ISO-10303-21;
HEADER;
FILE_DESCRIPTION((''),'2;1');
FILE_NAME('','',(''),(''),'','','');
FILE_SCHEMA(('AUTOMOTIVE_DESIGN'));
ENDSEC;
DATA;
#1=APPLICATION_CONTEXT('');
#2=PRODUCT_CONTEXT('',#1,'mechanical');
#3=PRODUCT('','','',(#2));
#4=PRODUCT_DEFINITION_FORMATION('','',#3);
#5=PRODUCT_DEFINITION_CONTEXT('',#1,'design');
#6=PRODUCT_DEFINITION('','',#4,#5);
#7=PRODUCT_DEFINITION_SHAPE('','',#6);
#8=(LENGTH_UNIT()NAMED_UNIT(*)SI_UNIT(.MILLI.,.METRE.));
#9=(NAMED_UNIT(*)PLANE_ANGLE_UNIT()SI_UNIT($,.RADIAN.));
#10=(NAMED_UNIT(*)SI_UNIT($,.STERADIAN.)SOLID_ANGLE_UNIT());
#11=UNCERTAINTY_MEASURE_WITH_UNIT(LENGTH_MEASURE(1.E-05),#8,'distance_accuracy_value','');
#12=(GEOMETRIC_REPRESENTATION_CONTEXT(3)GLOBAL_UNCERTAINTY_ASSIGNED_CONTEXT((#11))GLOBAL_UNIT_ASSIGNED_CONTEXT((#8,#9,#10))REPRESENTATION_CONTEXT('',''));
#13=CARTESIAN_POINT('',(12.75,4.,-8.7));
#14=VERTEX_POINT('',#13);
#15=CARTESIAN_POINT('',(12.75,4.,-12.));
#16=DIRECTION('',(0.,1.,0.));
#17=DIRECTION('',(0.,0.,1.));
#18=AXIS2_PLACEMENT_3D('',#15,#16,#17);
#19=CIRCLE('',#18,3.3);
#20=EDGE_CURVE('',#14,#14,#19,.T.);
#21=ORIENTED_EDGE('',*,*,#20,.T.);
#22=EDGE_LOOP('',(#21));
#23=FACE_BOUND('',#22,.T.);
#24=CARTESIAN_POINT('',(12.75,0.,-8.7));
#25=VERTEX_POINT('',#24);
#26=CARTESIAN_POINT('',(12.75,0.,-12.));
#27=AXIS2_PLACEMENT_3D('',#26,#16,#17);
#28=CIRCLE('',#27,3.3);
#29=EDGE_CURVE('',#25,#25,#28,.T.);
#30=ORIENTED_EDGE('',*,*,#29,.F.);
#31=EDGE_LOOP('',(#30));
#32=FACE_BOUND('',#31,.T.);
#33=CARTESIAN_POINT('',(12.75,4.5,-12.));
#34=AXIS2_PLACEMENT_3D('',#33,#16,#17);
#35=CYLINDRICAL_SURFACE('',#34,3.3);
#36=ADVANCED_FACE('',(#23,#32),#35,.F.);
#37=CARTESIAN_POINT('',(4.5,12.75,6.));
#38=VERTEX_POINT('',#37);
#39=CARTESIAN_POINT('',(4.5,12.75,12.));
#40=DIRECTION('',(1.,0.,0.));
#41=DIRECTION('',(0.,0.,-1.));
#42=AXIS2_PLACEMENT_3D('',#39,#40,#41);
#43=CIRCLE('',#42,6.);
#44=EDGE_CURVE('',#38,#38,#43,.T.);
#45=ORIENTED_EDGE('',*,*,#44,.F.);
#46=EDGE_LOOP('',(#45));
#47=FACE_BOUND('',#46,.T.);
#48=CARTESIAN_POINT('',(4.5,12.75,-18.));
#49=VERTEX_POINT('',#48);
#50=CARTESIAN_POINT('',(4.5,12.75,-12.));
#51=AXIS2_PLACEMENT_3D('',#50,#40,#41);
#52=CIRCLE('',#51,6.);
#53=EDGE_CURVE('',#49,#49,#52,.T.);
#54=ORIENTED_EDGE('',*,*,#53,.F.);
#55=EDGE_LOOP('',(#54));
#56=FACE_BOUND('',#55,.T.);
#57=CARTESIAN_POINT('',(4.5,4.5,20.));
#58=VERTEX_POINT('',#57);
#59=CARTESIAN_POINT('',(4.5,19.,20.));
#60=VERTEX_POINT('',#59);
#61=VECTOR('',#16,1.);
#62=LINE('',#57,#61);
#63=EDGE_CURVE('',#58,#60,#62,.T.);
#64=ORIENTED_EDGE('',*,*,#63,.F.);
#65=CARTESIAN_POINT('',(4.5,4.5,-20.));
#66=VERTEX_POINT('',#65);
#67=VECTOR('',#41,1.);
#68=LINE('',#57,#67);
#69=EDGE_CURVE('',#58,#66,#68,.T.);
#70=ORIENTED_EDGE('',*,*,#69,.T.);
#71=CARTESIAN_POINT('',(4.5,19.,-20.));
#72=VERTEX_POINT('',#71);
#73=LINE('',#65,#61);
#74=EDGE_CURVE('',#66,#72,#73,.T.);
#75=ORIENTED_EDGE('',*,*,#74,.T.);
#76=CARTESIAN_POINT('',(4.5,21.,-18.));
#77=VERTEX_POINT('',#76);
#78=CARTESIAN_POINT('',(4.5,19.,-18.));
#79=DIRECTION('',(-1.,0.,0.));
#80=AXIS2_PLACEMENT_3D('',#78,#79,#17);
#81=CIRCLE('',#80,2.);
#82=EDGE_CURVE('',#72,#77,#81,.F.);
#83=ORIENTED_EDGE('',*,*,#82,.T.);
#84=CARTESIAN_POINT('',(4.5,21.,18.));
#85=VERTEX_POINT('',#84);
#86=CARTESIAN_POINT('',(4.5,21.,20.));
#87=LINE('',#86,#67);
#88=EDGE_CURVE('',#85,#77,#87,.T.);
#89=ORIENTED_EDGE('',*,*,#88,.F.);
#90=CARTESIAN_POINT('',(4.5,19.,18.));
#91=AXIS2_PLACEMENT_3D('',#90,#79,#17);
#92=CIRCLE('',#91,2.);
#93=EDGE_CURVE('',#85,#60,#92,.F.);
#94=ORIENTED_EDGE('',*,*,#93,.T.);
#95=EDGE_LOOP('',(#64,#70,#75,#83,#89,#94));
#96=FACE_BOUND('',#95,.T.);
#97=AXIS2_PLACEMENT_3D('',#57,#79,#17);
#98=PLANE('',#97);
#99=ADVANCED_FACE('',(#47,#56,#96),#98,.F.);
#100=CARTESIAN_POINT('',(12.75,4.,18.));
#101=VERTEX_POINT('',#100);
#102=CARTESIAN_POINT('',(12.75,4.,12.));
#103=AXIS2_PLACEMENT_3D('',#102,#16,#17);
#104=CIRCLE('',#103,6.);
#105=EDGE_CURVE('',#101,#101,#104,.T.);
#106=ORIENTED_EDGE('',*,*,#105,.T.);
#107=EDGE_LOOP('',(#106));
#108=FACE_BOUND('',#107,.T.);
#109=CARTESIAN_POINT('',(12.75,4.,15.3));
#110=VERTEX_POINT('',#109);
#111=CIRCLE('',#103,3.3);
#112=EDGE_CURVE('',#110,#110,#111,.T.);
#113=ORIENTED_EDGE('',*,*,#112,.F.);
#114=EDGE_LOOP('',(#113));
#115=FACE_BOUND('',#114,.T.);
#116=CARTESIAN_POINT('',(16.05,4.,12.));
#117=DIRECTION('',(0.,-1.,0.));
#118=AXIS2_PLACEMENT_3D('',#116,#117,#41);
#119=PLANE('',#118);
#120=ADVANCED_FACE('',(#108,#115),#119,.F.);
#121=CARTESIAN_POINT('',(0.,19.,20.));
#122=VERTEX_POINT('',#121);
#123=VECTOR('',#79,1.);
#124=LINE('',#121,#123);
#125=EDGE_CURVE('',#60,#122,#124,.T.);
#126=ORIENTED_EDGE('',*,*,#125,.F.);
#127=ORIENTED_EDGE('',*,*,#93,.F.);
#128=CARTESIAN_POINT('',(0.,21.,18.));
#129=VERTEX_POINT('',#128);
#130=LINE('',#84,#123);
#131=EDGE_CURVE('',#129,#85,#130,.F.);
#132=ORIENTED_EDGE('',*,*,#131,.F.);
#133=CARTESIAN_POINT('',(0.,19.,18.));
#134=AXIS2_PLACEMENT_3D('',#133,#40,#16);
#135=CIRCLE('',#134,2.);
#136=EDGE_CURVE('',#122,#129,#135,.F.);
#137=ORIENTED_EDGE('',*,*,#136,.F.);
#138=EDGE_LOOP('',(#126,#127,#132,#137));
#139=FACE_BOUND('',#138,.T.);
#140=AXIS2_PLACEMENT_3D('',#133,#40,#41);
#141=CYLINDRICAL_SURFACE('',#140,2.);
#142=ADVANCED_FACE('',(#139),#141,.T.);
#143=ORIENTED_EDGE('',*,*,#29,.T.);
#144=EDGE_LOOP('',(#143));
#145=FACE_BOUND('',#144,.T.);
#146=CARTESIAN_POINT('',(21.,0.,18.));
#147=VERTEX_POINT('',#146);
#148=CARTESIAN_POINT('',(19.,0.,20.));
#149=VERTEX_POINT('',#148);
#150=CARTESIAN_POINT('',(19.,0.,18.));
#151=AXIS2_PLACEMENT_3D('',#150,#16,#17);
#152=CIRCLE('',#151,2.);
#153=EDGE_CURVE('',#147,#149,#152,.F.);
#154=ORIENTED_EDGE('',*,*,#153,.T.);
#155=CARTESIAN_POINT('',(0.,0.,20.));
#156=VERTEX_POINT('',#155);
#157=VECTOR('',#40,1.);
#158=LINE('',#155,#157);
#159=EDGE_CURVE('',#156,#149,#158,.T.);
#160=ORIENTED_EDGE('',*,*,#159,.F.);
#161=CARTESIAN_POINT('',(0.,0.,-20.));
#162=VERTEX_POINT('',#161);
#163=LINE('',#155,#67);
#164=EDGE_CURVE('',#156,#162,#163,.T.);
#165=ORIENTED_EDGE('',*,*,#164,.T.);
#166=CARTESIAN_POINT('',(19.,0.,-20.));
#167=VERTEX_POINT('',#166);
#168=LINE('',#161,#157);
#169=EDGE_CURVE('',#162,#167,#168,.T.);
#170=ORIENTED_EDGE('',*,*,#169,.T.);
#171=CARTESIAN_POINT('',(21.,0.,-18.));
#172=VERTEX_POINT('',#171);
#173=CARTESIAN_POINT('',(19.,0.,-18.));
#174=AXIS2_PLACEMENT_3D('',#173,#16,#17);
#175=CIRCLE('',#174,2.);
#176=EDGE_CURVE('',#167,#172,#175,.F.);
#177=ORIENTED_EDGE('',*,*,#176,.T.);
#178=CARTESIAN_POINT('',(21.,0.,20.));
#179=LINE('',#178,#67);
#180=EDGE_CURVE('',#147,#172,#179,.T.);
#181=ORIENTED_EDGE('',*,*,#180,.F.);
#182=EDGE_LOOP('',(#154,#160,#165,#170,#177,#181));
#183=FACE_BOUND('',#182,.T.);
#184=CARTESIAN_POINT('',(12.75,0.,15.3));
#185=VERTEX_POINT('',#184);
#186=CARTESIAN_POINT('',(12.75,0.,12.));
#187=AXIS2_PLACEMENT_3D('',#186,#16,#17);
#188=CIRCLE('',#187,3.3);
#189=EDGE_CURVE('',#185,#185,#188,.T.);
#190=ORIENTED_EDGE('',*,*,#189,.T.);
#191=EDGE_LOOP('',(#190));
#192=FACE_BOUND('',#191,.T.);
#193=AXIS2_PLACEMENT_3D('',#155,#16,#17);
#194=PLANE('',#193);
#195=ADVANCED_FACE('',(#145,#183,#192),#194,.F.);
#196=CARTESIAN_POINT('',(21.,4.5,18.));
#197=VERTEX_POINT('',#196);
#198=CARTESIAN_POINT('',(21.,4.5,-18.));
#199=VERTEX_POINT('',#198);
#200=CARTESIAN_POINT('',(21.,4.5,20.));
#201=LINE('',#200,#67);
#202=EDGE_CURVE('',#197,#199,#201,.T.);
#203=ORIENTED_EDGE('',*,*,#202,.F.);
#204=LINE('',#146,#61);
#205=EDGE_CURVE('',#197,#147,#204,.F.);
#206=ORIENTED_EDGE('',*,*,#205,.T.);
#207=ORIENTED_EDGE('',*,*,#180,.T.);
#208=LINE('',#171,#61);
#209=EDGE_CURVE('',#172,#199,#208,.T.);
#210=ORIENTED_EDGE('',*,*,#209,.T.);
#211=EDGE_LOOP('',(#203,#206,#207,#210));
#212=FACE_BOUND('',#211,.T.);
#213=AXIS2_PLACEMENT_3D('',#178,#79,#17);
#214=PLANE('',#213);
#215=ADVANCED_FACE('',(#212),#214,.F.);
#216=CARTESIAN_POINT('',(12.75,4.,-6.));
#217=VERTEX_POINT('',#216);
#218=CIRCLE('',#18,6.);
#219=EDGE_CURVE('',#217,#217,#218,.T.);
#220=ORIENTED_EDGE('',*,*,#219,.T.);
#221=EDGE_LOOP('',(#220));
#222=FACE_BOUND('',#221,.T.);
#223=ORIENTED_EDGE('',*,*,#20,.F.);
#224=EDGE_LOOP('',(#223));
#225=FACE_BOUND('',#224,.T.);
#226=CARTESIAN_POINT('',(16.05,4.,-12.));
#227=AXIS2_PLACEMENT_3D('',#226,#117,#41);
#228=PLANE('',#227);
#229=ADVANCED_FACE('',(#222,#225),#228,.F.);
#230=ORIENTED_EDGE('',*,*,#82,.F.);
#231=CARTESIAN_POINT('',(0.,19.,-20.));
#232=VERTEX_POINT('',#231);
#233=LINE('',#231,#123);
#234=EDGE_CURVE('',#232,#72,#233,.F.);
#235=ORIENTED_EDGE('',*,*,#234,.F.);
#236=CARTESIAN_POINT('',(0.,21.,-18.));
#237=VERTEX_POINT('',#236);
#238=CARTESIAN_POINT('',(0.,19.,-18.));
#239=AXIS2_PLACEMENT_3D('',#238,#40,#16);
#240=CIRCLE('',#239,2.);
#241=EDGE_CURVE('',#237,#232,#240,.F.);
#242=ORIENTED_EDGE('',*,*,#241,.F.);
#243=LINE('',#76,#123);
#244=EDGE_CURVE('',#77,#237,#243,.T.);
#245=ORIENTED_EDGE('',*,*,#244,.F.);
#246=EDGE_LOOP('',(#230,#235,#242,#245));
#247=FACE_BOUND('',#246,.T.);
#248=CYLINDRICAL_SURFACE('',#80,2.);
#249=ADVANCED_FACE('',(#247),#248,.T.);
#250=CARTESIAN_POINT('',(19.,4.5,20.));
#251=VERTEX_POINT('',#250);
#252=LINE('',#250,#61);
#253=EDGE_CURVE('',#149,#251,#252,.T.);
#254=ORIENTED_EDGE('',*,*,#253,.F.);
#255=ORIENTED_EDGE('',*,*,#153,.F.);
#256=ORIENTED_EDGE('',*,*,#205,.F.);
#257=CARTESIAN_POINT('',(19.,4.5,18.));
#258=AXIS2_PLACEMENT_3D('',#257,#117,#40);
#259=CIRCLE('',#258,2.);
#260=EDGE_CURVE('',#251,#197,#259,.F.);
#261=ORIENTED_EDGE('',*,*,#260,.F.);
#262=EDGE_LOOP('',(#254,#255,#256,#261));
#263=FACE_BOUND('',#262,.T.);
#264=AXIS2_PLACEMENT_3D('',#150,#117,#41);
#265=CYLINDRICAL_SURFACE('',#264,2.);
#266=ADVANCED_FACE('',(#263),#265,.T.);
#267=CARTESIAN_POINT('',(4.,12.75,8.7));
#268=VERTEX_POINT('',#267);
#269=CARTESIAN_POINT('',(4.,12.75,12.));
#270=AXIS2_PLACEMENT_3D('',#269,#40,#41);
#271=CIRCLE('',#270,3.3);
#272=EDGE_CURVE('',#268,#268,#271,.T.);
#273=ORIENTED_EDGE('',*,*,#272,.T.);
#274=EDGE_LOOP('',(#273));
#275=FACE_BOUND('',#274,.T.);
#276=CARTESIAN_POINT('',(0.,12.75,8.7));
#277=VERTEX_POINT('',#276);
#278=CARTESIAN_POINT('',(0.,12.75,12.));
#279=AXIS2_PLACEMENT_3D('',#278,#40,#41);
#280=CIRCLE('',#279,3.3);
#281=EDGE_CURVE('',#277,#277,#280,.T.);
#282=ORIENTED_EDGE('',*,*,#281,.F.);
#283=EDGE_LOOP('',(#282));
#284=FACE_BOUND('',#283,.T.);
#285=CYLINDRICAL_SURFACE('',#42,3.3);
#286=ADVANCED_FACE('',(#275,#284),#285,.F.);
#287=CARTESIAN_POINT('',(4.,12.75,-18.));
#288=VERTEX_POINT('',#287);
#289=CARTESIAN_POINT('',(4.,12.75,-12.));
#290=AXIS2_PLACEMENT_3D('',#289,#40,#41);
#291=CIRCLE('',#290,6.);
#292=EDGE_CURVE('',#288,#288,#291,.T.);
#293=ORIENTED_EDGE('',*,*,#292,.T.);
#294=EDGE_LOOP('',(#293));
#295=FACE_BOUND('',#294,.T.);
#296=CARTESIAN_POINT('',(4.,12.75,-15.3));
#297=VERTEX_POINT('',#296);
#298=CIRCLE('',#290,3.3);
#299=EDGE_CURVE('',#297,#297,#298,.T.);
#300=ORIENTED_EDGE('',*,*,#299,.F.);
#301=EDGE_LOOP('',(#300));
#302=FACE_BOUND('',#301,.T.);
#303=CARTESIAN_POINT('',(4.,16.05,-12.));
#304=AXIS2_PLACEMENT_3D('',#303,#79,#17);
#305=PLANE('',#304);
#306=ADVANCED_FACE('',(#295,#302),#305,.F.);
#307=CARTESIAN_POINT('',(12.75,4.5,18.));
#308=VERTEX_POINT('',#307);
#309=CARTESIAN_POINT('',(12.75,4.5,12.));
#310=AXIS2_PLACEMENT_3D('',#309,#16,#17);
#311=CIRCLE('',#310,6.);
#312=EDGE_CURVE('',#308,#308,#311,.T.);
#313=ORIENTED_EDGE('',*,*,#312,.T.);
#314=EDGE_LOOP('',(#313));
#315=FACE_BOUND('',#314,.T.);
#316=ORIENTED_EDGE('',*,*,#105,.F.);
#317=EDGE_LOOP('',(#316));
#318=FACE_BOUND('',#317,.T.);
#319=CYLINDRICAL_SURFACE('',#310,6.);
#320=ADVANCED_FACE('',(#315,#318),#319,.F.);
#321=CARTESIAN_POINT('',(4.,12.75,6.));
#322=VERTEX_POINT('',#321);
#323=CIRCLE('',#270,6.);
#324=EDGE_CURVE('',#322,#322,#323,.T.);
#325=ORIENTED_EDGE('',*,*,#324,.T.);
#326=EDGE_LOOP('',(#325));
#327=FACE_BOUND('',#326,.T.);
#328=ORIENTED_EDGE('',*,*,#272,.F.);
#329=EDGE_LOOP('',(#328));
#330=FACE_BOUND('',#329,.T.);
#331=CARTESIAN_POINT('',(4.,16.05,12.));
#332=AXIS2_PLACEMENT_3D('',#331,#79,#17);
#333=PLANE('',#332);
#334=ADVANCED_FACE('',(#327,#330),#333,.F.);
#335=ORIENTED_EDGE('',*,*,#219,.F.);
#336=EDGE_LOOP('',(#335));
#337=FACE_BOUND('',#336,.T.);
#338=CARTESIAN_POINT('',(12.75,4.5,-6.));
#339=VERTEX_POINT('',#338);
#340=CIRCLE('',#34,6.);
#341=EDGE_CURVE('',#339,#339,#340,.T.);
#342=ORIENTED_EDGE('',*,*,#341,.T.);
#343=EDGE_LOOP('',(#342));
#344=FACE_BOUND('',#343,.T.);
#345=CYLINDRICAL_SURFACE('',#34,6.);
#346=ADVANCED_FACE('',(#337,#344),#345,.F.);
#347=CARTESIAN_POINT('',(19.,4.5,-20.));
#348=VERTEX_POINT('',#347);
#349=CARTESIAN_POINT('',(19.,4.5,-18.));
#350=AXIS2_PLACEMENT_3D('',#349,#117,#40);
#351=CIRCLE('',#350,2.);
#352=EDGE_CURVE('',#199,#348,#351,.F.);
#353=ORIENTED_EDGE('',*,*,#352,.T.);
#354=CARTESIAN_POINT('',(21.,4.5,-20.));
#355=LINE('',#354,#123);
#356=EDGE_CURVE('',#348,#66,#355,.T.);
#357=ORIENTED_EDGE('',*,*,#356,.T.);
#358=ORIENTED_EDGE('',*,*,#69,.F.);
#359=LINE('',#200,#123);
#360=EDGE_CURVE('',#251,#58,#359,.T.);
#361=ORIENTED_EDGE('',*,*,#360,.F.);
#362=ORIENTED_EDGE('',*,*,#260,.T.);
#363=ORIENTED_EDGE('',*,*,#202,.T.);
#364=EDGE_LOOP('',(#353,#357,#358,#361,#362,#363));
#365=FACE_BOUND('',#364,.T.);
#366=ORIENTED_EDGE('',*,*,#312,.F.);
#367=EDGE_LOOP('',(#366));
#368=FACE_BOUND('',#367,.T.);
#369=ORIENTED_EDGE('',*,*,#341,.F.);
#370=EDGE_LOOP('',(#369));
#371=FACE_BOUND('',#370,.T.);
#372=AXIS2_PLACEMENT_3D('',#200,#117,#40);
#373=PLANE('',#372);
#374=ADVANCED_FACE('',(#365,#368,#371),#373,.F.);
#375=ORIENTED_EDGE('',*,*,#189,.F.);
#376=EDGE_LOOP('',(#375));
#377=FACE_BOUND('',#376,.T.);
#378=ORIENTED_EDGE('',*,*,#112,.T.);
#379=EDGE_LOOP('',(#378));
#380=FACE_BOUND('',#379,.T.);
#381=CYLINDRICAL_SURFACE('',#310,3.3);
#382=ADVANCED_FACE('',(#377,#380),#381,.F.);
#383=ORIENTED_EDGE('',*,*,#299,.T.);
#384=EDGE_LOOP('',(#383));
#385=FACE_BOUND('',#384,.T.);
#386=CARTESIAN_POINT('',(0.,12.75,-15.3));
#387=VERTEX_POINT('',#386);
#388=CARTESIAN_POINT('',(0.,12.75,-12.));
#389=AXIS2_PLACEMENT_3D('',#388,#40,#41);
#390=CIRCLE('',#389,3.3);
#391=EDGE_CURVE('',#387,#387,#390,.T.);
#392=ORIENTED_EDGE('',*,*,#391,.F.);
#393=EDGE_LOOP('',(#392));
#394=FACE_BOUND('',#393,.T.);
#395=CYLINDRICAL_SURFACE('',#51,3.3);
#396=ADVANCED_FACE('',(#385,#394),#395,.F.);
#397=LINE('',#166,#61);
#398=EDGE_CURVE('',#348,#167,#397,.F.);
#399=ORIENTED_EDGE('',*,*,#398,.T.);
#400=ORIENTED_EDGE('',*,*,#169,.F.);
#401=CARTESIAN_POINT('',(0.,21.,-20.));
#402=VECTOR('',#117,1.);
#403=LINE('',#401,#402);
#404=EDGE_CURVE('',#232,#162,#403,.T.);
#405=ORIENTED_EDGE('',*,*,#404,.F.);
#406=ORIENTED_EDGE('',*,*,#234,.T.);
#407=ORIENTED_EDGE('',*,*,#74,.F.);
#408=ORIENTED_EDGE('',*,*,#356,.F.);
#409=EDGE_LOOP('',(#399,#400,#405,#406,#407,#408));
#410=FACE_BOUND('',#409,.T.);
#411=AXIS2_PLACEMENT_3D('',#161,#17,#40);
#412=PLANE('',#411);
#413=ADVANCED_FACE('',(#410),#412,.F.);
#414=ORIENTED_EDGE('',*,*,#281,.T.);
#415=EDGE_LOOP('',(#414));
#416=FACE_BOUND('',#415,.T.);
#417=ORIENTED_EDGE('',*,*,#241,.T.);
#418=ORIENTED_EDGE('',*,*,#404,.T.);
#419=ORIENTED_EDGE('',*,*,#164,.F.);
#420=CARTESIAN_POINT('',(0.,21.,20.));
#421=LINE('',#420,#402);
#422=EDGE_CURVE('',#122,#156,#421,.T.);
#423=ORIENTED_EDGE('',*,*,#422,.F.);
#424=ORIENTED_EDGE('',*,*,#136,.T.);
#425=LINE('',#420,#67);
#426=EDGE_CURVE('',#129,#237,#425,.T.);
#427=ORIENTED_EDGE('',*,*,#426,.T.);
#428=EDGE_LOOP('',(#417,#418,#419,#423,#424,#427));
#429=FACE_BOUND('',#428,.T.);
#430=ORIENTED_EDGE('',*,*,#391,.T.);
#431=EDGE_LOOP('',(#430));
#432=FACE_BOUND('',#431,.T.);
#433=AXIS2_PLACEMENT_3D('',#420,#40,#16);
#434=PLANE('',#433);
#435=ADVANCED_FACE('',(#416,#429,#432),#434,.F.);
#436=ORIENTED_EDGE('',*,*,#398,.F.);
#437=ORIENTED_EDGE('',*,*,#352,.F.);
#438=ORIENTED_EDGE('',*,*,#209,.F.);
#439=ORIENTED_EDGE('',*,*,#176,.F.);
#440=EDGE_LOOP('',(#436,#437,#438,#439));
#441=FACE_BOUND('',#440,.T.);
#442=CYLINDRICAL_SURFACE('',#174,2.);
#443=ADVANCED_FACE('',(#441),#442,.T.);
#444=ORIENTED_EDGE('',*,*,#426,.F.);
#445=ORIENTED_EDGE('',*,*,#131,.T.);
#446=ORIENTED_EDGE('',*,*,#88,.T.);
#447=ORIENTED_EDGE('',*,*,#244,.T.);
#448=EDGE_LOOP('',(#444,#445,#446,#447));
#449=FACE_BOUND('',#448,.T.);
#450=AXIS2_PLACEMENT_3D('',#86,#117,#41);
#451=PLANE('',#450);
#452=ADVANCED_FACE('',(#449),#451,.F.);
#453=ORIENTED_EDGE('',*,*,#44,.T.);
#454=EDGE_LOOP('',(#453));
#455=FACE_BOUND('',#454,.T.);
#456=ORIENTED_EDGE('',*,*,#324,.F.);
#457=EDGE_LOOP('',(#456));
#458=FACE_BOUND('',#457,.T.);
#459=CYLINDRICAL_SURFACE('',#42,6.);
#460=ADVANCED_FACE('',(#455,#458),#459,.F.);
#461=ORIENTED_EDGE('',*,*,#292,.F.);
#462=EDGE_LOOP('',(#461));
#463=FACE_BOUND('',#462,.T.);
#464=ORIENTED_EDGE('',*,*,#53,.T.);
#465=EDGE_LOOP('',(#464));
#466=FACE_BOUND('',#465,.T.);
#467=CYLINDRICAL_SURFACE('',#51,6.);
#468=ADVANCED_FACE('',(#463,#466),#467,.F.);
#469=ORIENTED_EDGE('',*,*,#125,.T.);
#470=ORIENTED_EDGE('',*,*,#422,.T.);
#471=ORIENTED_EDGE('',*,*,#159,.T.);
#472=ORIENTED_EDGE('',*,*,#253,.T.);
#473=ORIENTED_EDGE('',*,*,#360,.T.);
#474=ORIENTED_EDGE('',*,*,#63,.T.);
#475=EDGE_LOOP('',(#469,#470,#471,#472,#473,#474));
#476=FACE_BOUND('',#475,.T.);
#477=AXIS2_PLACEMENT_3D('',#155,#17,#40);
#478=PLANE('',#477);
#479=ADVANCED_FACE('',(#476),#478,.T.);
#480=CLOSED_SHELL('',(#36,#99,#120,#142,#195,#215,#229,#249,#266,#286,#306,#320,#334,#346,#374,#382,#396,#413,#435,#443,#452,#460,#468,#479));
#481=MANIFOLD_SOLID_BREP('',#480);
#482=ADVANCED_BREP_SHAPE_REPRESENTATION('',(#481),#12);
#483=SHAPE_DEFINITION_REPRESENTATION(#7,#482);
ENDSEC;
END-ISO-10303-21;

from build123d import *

# Parameters (mm, degrees)
EXTRUDE_1_DEPTH              = 20
HOLE_WIZARD_M6_1_D           = 6.6
HOLE_WIZARD_M6_1_CBORE_D     = 12
HOLE_WIZARD_M6_1_CBORE_DEPTH = 0.5
HOLE_WIZARD_M6_2_D           = 6.6
HOLE_WIZARD_M6_2_CBORE_D     = 12
HOLE_WIZARD_M6_2_CBORE_DEPTH = 0.5
FILLET_1_R                   = 2


with BuildPart() as part:
    # 草图1 → 凸台-拉伸1 (new, symmetric)
    with BuildSketch(Plane.XY):
        Polygon((0, 21), (0, 0), (21, 0), (21, 4.5), (4.5, 4.5), (4.5, 21), align=None)
    extrude(amount=EXTRUDE_1_DEPTH, both=True)

    # M6 六角头螺栓的柱形沉头孔1 (through all)
    with Locations(Plane(origin=(0, 4.5, 0), x_dir=(1, 0, 0), z_dir=(0, 1, 0))):
        with Locations((12.75, 12), (12.75, -12)):
            CounterBoreHole(HOLE_WIZARD_M6_1_D / 2, HOLE_WIZARD_M6_1_CBORE_D / 2, HOLE_WIZARD_M6_1_CBORE_DEPTH)

    # M6 六角头螺栓的柱形沉头孔2 (through all)
    with Locations(Plane(origin=(4.5, 0, 0), x_dir=(0, 0, -1), z_dir=(1, 0, 0))):
        with Locations((12, 12.75), (-12, 12.75)):
            CounterBoreHole(HOLE_WIZARD_M6_2_D / 2, HOLE_WIZARD_M6_2_CBORE_D / 2, HOLE_WIZARD_M6_2_CBORE_DEPTH)

    # 圆角1
    fillet_1_edges = [part.edges().sort_by_distance(p)[0] for p in [
        (21, 2.25, 20),
        (2.25, 21, 20),
        (21, 2.25, -20),
        (2.25, 21, -20),
    ]]
    fillet(fillet_1_edges, radius=FILLET_1_R)


solid = part.part
